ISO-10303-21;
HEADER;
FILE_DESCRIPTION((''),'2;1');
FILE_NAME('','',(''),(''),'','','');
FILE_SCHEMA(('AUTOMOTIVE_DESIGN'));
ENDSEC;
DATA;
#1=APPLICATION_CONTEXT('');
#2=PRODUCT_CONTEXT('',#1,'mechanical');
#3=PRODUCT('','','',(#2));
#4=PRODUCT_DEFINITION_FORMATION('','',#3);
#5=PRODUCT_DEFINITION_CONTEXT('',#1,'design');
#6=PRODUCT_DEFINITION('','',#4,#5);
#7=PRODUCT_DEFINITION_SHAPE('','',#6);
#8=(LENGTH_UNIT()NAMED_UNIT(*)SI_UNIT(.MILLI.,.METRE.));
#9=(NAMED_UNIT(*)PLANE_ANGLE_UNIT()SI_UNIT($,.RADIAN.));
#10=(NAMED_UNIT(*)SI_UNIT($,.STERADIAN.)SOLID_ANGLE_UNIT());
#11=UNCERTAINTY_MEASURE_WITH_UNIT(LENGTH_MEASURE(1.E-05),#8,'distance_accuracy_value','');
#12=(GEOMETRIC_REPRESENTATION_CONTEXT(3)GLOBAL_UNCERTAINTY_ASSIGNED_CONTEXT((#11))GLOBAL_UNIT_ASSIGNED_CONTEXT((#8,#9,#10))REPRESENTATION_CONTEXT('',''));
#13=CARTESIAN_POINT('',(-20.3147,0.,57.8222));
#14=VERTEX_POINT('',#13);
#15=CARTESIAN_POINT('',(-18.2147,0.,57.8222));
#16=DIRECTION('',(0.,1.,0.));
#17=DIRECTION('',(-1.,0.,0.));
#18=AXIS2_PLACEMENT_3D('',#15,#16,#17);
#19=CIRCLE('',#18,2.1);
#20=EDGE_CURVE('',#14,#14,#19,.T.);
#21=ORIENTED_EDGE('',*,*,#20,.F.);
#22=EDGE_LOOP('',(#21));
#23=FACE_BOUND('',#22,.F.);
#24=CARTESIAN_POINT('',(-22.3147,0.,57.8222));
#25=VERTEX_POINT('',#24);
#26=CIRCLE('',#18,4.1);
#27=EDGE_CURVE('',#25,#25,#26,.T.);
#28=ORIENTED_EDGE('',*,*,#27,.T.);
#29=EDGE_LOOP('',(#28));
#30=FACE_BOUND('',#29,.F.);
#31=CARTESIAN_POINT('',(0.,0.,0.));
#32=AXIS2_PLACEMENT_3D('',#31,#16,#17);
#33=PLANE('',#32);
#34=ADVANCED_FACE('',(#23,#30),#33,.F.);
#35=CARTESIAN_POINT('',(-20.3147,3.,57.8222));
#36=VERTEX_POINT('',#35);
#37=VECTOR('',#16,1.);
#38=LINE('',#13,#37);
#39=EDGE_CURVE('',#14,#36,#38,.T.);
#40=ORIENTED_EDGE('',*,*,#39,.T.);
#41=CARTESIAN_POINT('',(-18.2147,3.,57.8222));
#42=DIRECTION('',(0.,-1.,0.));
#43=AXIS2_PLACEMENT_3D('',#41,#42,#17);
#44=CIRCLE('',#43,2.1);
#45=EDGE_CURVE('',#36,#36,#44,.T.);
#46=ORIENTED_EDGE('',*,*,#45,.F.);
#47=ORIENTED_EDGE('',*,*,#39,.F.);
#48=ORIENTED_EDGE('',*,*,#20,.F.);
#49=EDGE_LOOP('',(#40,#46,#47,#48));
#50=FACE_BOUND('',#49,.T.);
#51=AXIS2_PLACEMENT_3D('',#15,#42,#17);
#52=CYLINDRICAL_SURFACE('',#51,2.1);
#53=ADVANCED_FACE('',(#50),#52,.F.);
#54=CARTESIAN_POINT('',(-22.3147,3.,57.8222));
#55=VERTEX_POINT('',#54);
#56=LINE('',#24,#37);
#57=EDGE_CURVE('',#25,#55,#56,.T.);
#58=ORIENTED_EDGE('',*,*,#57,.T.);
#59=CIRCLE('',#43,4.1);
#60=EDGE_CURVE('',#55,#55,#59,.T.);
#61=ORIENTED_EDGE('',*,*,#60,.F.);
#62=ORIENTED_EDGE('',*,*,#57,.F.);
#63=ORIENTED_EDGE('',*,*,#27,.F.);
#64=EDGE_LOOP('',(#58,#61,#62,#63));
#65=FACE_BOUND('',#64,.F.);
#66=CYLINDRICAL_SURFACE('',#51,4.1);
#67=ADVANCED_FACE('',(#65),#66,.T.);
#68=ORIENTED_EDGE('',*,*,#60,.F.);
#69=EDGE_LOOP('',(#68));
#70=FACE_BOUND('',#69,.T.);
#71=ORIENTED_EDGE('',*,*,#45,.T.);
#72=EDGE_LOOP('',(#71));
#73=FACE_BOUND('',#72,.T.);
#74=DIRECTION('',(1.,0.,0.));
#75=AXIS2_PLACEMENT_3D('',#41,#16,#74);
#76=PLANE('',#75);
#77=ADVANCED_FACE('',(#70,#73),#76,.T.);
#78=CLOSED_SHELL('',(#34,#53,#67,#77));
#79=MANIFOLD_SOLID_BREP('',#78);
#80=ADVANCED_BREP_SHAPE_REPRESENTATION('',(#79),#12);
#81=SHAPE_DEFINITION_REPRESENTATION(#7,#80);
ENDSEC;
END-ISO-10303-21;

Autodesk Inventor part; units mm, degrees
ref_plane "YZ Plane" through (0, 0, 0) normal (1, 0, 0) x (0, 1, 0)
ref_plane "XZ Plane" through (0, 0, 0) normal (0, 1, 0) x (-1, 0, 0)
ref_plane "XY Plane" through (0, 0, 0) normal (0, 0, 1) x (1, 0, 0)
sketch "Sketch1" plane through (0, 0, 0) normal (0, 1, 0) x (-1, 0, 0)
  circle A0 centre (18.2147, 57.8222) radius 2.1
  circle A1 centre (18.2147, 57.8222) radius 4.1
  point P0 (0, 0)
  dimension "d0" = 4.2
  dimension "d1" = 2
extrude "Extrusion1" add sketch "Sketch1" along normal blind 3.175
sketch "Sketch2" plane through (-18.2147, 3.175, 57.8222) normal (0, 1, 0) x (1, 0, 0)
  line L0 (-4.2917, 4.2453) -> (4.2078, 4.2453)
  line L1 (4.2078, 4.2453) -> (4.2078, -4.2223)
  line L2 (4.2078, -4.2223) -> (-4.2917, -4.2223)
  line L3 (-4.2917, -4.2223) -> (-4.2917, 4.2453)
  point P0 (18.2147, 57.8222)
extrude "Extrusion2" cut sketch "Sketch2" against normal blind 0.175
properties part number "Spacer 3mm"
